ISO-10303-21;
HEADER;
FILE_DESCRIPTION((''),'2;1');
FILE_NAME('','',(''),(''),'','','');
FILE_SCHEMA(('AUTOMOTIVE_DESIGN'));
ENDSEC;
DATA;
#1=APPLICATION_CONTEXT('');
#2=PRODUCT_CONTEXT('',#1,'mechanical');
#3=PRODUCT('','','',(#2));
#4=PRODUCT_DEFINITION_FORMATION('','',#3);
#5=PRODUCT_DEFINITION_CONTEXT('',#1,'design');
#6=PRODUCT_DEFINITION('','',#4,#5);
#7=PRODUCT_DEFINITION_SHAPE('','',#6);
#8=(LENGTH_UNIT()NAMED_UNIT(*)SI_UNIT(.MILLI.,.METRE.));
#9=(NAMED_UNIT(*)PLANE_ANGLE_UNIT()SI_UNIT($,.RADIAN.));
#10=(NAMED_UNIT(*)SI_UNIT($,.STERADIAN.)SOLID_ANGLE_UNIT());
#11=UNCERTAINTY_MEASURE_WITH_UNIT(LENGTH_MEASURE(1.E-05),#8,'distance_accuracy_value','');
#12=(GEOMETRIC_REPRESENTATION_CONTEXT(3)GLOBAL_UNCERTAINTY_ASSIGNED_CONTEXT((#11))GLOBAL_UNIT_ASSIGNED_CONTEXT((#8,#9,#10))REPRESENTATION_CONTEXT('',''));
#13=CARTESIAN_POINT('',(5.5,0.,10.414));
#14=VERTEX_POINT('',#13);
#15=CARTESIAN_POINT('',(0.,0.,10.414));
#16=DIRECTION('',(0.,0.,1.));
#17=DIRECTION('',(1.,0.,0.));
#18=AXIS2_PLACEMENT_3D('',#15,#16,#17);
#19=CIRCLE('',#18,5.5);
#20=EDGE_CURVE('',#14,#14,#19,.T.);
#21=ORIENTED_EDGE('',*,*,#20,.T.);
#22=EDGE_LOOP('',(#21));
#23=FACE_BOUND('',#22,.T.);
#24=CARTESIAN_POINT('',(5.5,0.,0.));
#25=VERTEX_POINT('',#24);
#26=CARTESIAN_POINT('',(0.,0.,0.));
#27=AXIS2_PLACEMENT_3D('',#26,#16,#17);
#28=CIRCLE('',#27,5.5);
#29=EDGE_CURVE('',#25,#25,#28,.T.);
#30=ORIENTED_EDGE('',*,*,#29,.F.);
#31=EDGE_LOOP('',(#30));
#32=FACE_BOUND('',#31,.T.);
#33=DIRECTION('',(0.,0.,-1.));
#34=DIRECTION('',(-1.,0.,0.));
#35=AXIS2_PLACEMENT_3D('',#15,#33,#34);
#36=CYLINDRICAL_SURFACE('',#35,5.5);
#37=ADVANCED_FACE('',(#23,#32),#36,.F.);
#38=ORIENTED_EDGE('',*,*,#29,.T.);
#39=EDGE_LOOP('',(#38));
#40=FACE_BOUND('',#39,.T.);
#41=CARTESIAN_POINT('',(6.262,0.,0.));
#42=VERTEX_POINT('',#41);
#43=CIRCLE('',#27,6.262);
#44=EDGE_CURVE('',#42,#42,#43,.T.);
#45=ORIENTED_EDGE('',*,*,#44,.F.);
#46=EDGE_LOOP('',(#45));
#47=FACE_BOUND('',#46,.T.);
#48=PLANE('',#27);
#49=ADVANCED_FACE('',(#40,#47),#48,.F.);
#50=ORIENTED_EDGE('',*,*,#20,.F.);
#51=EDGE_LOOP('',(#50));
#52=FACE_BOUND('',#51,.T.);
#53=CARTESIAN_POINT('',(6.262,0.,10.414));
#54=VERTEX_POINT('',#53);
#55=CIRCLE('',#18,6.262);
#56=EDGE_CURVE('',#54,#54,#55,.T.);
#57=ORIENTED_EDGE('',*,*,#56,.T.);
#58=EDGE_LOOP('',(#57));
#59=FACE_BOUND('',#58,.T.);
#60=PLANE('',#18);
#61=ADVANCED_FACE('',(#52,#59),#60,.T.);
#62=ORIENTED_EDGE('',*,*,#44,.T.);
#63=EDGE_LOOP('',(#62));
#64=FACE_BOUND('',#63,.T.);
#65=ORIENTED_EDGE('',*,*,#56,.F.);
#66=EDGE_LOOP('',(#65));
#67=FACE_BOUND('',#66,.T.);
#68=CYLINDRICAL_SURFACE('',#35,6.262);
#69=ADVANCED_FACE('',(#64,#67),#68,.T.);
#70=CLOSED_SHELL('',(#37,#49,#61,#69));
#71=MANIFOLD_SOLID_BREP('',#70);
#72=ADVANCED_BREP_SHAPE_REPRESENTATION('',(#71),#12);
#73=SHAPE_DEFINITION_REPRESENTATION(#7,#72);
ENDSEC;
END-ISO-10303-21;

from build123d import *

# Parameters (mm, degrees)
SKETCH1_R           = 6.262000049
SKETCH1_R_2         = 5.5
BOSS_EXTRUDE1_DEPTH = 10.414


with BuildPart() as part:
    # Sketch1 → Boss-Extrude1 (new body)
    with BuildSketch(Plane(origin=(0, 0, 0), x_dir=(0, 1, 0), z_dir=(0, 0, 1))):
        with Locations(Location((0, 0, 0), (0, 0, 270))):
            Circle(SKETCH1_R)
        with Locations(Location((0, 0, 0), (0, 0, 270))):
            Circle(SKETCH1_R_2, mode=Mode.SUBTRACT)
    extrude(amount=BOSS_EXTRUDE1_DEPTH)


solid = part.part
